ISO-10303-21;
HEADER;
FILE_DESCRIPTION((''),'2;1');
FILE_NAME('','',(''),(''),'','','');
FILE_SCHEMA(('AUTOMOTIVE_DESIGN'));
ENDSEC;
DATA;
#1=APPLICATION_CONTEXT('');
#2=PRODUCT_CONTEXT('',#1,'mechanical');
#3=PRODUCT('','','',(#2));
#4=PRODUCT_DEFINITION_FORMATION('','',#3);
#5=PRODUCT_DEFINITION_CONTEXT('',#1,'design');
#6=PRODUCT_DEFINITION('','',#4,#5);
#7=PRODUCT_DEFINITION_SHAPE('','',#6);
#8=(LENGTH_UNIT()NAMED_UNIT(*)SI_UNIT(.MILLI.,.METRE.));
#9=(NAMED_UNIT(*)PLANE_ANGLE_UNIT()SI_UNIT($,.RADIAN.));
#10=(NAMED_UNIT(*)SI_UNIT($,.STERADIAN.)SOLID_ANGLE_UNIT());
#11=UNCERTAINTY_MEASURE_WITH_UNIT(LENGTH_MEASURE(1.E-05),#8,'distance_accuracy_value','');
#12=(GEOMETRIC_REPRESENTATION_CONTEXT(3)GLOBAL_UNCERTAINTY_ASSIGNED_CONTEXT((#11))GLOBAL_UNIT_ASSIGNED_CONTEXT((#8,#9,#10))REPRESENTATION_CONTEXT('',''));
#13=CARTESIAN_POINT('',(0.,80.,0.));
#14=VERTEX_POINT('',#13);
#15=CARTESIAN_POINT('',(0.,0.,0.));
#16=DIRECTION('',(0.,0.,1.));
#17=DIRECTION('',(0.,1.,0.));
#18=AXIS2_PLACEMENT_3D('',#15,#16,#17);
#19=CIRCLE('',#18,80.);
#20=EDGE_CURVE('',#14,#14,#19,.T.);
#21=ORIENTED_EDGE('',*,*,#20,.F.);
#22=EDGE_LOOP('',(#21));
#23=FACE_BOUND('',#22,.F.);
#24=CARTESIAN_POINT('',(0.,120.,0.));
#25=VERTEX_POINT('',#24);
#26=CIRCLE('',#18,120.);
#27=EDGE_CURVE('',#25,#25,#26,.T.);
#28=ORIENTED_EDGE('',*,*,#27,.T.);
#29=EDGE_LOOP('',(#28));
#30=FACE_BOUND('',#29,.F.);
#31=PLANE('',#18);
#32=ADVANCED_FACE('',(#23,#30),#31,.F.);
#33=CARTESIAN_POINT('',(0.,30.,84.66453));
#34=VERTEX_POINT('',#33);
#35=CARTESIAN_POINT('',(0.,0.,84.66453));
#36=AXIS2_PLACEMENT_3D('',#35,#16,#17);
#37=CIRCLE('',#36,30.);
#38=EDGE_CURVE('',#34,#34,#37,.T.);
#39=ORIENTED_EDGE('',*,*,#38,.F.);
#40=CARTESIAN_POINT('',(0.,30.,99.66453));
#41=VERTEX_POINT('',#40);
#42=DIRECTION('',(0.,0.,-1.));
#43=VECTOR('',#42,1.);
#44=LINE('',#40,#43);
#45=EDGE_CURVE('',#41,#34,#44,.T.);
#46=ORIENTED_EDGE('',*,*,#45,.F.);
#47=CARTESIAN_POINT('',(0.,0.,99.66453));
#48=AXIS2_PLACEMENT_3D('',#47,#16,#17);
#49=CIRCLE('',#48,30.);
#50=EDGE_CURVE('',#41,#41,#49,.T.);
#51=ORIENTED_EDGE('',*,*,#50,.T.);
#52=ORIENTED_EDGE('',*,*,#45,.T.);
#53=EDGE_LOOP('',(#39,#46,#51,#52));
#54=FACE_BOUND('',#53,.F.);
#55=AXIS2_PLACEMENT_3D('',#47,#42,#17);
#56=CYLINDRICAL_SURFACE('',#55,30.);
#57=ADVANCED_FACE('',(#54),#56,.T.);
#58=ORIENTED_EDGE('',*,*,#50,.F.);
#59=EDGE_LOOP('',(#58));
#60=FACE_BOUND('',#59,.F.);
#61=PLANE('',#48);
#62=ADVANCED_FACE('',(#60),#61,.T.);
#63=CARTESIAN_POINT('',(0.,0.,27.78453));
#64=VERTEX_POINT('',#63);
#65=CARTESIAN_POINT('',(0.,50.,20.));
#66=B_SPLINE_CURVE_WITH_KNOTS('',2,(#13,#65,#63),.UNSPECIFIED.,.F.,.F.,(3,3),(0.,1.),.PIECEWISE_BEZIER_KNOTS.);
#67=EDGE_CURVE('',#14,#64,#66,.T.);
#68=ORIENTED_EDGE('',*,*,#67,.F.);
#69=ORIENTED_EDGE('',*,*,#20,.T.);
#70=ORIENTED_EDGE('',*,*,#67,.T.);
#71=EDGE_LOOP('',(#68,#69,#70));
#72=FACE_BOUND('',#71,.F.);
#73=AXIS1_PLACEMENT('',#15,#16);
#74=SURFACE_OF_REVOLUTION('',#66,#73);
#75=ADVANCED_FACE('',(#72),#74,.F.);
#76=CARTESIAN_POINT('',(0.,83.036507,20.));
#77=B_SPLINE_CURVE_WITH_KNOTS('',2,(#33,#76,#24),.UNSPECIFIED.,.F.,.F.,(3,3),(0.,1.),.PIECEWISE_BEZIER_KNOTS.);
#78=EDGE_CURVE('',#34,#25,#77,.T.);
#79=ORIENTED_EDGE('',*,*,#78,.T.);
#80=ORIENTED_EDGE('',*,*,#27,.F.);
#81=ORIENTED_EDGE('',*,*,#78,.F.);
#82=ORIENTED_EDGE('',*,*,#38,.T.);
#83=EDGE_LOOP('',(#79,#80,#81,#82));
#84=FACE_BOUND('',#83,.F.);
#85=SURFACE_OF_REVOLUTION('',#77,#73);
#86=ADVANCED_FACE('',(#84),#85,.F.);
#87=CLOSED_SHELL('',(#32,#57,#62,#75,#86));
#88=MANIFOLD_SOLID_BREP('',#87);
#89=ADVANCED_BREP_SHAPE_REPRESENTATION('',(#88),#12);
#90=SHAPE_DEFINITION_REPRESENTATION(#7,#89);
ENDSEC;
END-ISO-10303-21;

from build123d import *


with BuildPart() as part:
    # Sketch → Revolution (revolve)
    with BuildSketch(Plane.YZ):
        with BuildLine():
            add(Edge.make_bspline(
                [(30, 84.66453), (83.036507, 20), (120, 0)],
                knots=[0, 0, 0, 1, 1, 1], degree=2))
            Line((120, 0), (80, 0))
            add(Edge.make_bspline(
                [(80, 0), (50, 20), (0, 27.78453)],
                knots=[0, 0, 0, 1, 1, 1], degree=2))
            Line((0, 27.78453), (0, 99.66453))
            Line((0, 99.66453), (30, 99.66453))
            Line((30, 99.66453), (30, 84.66453))
        make_face()
    revolve(axis=Axis((0, 0, 0), (0, 0, 1)))


solid = part.part
